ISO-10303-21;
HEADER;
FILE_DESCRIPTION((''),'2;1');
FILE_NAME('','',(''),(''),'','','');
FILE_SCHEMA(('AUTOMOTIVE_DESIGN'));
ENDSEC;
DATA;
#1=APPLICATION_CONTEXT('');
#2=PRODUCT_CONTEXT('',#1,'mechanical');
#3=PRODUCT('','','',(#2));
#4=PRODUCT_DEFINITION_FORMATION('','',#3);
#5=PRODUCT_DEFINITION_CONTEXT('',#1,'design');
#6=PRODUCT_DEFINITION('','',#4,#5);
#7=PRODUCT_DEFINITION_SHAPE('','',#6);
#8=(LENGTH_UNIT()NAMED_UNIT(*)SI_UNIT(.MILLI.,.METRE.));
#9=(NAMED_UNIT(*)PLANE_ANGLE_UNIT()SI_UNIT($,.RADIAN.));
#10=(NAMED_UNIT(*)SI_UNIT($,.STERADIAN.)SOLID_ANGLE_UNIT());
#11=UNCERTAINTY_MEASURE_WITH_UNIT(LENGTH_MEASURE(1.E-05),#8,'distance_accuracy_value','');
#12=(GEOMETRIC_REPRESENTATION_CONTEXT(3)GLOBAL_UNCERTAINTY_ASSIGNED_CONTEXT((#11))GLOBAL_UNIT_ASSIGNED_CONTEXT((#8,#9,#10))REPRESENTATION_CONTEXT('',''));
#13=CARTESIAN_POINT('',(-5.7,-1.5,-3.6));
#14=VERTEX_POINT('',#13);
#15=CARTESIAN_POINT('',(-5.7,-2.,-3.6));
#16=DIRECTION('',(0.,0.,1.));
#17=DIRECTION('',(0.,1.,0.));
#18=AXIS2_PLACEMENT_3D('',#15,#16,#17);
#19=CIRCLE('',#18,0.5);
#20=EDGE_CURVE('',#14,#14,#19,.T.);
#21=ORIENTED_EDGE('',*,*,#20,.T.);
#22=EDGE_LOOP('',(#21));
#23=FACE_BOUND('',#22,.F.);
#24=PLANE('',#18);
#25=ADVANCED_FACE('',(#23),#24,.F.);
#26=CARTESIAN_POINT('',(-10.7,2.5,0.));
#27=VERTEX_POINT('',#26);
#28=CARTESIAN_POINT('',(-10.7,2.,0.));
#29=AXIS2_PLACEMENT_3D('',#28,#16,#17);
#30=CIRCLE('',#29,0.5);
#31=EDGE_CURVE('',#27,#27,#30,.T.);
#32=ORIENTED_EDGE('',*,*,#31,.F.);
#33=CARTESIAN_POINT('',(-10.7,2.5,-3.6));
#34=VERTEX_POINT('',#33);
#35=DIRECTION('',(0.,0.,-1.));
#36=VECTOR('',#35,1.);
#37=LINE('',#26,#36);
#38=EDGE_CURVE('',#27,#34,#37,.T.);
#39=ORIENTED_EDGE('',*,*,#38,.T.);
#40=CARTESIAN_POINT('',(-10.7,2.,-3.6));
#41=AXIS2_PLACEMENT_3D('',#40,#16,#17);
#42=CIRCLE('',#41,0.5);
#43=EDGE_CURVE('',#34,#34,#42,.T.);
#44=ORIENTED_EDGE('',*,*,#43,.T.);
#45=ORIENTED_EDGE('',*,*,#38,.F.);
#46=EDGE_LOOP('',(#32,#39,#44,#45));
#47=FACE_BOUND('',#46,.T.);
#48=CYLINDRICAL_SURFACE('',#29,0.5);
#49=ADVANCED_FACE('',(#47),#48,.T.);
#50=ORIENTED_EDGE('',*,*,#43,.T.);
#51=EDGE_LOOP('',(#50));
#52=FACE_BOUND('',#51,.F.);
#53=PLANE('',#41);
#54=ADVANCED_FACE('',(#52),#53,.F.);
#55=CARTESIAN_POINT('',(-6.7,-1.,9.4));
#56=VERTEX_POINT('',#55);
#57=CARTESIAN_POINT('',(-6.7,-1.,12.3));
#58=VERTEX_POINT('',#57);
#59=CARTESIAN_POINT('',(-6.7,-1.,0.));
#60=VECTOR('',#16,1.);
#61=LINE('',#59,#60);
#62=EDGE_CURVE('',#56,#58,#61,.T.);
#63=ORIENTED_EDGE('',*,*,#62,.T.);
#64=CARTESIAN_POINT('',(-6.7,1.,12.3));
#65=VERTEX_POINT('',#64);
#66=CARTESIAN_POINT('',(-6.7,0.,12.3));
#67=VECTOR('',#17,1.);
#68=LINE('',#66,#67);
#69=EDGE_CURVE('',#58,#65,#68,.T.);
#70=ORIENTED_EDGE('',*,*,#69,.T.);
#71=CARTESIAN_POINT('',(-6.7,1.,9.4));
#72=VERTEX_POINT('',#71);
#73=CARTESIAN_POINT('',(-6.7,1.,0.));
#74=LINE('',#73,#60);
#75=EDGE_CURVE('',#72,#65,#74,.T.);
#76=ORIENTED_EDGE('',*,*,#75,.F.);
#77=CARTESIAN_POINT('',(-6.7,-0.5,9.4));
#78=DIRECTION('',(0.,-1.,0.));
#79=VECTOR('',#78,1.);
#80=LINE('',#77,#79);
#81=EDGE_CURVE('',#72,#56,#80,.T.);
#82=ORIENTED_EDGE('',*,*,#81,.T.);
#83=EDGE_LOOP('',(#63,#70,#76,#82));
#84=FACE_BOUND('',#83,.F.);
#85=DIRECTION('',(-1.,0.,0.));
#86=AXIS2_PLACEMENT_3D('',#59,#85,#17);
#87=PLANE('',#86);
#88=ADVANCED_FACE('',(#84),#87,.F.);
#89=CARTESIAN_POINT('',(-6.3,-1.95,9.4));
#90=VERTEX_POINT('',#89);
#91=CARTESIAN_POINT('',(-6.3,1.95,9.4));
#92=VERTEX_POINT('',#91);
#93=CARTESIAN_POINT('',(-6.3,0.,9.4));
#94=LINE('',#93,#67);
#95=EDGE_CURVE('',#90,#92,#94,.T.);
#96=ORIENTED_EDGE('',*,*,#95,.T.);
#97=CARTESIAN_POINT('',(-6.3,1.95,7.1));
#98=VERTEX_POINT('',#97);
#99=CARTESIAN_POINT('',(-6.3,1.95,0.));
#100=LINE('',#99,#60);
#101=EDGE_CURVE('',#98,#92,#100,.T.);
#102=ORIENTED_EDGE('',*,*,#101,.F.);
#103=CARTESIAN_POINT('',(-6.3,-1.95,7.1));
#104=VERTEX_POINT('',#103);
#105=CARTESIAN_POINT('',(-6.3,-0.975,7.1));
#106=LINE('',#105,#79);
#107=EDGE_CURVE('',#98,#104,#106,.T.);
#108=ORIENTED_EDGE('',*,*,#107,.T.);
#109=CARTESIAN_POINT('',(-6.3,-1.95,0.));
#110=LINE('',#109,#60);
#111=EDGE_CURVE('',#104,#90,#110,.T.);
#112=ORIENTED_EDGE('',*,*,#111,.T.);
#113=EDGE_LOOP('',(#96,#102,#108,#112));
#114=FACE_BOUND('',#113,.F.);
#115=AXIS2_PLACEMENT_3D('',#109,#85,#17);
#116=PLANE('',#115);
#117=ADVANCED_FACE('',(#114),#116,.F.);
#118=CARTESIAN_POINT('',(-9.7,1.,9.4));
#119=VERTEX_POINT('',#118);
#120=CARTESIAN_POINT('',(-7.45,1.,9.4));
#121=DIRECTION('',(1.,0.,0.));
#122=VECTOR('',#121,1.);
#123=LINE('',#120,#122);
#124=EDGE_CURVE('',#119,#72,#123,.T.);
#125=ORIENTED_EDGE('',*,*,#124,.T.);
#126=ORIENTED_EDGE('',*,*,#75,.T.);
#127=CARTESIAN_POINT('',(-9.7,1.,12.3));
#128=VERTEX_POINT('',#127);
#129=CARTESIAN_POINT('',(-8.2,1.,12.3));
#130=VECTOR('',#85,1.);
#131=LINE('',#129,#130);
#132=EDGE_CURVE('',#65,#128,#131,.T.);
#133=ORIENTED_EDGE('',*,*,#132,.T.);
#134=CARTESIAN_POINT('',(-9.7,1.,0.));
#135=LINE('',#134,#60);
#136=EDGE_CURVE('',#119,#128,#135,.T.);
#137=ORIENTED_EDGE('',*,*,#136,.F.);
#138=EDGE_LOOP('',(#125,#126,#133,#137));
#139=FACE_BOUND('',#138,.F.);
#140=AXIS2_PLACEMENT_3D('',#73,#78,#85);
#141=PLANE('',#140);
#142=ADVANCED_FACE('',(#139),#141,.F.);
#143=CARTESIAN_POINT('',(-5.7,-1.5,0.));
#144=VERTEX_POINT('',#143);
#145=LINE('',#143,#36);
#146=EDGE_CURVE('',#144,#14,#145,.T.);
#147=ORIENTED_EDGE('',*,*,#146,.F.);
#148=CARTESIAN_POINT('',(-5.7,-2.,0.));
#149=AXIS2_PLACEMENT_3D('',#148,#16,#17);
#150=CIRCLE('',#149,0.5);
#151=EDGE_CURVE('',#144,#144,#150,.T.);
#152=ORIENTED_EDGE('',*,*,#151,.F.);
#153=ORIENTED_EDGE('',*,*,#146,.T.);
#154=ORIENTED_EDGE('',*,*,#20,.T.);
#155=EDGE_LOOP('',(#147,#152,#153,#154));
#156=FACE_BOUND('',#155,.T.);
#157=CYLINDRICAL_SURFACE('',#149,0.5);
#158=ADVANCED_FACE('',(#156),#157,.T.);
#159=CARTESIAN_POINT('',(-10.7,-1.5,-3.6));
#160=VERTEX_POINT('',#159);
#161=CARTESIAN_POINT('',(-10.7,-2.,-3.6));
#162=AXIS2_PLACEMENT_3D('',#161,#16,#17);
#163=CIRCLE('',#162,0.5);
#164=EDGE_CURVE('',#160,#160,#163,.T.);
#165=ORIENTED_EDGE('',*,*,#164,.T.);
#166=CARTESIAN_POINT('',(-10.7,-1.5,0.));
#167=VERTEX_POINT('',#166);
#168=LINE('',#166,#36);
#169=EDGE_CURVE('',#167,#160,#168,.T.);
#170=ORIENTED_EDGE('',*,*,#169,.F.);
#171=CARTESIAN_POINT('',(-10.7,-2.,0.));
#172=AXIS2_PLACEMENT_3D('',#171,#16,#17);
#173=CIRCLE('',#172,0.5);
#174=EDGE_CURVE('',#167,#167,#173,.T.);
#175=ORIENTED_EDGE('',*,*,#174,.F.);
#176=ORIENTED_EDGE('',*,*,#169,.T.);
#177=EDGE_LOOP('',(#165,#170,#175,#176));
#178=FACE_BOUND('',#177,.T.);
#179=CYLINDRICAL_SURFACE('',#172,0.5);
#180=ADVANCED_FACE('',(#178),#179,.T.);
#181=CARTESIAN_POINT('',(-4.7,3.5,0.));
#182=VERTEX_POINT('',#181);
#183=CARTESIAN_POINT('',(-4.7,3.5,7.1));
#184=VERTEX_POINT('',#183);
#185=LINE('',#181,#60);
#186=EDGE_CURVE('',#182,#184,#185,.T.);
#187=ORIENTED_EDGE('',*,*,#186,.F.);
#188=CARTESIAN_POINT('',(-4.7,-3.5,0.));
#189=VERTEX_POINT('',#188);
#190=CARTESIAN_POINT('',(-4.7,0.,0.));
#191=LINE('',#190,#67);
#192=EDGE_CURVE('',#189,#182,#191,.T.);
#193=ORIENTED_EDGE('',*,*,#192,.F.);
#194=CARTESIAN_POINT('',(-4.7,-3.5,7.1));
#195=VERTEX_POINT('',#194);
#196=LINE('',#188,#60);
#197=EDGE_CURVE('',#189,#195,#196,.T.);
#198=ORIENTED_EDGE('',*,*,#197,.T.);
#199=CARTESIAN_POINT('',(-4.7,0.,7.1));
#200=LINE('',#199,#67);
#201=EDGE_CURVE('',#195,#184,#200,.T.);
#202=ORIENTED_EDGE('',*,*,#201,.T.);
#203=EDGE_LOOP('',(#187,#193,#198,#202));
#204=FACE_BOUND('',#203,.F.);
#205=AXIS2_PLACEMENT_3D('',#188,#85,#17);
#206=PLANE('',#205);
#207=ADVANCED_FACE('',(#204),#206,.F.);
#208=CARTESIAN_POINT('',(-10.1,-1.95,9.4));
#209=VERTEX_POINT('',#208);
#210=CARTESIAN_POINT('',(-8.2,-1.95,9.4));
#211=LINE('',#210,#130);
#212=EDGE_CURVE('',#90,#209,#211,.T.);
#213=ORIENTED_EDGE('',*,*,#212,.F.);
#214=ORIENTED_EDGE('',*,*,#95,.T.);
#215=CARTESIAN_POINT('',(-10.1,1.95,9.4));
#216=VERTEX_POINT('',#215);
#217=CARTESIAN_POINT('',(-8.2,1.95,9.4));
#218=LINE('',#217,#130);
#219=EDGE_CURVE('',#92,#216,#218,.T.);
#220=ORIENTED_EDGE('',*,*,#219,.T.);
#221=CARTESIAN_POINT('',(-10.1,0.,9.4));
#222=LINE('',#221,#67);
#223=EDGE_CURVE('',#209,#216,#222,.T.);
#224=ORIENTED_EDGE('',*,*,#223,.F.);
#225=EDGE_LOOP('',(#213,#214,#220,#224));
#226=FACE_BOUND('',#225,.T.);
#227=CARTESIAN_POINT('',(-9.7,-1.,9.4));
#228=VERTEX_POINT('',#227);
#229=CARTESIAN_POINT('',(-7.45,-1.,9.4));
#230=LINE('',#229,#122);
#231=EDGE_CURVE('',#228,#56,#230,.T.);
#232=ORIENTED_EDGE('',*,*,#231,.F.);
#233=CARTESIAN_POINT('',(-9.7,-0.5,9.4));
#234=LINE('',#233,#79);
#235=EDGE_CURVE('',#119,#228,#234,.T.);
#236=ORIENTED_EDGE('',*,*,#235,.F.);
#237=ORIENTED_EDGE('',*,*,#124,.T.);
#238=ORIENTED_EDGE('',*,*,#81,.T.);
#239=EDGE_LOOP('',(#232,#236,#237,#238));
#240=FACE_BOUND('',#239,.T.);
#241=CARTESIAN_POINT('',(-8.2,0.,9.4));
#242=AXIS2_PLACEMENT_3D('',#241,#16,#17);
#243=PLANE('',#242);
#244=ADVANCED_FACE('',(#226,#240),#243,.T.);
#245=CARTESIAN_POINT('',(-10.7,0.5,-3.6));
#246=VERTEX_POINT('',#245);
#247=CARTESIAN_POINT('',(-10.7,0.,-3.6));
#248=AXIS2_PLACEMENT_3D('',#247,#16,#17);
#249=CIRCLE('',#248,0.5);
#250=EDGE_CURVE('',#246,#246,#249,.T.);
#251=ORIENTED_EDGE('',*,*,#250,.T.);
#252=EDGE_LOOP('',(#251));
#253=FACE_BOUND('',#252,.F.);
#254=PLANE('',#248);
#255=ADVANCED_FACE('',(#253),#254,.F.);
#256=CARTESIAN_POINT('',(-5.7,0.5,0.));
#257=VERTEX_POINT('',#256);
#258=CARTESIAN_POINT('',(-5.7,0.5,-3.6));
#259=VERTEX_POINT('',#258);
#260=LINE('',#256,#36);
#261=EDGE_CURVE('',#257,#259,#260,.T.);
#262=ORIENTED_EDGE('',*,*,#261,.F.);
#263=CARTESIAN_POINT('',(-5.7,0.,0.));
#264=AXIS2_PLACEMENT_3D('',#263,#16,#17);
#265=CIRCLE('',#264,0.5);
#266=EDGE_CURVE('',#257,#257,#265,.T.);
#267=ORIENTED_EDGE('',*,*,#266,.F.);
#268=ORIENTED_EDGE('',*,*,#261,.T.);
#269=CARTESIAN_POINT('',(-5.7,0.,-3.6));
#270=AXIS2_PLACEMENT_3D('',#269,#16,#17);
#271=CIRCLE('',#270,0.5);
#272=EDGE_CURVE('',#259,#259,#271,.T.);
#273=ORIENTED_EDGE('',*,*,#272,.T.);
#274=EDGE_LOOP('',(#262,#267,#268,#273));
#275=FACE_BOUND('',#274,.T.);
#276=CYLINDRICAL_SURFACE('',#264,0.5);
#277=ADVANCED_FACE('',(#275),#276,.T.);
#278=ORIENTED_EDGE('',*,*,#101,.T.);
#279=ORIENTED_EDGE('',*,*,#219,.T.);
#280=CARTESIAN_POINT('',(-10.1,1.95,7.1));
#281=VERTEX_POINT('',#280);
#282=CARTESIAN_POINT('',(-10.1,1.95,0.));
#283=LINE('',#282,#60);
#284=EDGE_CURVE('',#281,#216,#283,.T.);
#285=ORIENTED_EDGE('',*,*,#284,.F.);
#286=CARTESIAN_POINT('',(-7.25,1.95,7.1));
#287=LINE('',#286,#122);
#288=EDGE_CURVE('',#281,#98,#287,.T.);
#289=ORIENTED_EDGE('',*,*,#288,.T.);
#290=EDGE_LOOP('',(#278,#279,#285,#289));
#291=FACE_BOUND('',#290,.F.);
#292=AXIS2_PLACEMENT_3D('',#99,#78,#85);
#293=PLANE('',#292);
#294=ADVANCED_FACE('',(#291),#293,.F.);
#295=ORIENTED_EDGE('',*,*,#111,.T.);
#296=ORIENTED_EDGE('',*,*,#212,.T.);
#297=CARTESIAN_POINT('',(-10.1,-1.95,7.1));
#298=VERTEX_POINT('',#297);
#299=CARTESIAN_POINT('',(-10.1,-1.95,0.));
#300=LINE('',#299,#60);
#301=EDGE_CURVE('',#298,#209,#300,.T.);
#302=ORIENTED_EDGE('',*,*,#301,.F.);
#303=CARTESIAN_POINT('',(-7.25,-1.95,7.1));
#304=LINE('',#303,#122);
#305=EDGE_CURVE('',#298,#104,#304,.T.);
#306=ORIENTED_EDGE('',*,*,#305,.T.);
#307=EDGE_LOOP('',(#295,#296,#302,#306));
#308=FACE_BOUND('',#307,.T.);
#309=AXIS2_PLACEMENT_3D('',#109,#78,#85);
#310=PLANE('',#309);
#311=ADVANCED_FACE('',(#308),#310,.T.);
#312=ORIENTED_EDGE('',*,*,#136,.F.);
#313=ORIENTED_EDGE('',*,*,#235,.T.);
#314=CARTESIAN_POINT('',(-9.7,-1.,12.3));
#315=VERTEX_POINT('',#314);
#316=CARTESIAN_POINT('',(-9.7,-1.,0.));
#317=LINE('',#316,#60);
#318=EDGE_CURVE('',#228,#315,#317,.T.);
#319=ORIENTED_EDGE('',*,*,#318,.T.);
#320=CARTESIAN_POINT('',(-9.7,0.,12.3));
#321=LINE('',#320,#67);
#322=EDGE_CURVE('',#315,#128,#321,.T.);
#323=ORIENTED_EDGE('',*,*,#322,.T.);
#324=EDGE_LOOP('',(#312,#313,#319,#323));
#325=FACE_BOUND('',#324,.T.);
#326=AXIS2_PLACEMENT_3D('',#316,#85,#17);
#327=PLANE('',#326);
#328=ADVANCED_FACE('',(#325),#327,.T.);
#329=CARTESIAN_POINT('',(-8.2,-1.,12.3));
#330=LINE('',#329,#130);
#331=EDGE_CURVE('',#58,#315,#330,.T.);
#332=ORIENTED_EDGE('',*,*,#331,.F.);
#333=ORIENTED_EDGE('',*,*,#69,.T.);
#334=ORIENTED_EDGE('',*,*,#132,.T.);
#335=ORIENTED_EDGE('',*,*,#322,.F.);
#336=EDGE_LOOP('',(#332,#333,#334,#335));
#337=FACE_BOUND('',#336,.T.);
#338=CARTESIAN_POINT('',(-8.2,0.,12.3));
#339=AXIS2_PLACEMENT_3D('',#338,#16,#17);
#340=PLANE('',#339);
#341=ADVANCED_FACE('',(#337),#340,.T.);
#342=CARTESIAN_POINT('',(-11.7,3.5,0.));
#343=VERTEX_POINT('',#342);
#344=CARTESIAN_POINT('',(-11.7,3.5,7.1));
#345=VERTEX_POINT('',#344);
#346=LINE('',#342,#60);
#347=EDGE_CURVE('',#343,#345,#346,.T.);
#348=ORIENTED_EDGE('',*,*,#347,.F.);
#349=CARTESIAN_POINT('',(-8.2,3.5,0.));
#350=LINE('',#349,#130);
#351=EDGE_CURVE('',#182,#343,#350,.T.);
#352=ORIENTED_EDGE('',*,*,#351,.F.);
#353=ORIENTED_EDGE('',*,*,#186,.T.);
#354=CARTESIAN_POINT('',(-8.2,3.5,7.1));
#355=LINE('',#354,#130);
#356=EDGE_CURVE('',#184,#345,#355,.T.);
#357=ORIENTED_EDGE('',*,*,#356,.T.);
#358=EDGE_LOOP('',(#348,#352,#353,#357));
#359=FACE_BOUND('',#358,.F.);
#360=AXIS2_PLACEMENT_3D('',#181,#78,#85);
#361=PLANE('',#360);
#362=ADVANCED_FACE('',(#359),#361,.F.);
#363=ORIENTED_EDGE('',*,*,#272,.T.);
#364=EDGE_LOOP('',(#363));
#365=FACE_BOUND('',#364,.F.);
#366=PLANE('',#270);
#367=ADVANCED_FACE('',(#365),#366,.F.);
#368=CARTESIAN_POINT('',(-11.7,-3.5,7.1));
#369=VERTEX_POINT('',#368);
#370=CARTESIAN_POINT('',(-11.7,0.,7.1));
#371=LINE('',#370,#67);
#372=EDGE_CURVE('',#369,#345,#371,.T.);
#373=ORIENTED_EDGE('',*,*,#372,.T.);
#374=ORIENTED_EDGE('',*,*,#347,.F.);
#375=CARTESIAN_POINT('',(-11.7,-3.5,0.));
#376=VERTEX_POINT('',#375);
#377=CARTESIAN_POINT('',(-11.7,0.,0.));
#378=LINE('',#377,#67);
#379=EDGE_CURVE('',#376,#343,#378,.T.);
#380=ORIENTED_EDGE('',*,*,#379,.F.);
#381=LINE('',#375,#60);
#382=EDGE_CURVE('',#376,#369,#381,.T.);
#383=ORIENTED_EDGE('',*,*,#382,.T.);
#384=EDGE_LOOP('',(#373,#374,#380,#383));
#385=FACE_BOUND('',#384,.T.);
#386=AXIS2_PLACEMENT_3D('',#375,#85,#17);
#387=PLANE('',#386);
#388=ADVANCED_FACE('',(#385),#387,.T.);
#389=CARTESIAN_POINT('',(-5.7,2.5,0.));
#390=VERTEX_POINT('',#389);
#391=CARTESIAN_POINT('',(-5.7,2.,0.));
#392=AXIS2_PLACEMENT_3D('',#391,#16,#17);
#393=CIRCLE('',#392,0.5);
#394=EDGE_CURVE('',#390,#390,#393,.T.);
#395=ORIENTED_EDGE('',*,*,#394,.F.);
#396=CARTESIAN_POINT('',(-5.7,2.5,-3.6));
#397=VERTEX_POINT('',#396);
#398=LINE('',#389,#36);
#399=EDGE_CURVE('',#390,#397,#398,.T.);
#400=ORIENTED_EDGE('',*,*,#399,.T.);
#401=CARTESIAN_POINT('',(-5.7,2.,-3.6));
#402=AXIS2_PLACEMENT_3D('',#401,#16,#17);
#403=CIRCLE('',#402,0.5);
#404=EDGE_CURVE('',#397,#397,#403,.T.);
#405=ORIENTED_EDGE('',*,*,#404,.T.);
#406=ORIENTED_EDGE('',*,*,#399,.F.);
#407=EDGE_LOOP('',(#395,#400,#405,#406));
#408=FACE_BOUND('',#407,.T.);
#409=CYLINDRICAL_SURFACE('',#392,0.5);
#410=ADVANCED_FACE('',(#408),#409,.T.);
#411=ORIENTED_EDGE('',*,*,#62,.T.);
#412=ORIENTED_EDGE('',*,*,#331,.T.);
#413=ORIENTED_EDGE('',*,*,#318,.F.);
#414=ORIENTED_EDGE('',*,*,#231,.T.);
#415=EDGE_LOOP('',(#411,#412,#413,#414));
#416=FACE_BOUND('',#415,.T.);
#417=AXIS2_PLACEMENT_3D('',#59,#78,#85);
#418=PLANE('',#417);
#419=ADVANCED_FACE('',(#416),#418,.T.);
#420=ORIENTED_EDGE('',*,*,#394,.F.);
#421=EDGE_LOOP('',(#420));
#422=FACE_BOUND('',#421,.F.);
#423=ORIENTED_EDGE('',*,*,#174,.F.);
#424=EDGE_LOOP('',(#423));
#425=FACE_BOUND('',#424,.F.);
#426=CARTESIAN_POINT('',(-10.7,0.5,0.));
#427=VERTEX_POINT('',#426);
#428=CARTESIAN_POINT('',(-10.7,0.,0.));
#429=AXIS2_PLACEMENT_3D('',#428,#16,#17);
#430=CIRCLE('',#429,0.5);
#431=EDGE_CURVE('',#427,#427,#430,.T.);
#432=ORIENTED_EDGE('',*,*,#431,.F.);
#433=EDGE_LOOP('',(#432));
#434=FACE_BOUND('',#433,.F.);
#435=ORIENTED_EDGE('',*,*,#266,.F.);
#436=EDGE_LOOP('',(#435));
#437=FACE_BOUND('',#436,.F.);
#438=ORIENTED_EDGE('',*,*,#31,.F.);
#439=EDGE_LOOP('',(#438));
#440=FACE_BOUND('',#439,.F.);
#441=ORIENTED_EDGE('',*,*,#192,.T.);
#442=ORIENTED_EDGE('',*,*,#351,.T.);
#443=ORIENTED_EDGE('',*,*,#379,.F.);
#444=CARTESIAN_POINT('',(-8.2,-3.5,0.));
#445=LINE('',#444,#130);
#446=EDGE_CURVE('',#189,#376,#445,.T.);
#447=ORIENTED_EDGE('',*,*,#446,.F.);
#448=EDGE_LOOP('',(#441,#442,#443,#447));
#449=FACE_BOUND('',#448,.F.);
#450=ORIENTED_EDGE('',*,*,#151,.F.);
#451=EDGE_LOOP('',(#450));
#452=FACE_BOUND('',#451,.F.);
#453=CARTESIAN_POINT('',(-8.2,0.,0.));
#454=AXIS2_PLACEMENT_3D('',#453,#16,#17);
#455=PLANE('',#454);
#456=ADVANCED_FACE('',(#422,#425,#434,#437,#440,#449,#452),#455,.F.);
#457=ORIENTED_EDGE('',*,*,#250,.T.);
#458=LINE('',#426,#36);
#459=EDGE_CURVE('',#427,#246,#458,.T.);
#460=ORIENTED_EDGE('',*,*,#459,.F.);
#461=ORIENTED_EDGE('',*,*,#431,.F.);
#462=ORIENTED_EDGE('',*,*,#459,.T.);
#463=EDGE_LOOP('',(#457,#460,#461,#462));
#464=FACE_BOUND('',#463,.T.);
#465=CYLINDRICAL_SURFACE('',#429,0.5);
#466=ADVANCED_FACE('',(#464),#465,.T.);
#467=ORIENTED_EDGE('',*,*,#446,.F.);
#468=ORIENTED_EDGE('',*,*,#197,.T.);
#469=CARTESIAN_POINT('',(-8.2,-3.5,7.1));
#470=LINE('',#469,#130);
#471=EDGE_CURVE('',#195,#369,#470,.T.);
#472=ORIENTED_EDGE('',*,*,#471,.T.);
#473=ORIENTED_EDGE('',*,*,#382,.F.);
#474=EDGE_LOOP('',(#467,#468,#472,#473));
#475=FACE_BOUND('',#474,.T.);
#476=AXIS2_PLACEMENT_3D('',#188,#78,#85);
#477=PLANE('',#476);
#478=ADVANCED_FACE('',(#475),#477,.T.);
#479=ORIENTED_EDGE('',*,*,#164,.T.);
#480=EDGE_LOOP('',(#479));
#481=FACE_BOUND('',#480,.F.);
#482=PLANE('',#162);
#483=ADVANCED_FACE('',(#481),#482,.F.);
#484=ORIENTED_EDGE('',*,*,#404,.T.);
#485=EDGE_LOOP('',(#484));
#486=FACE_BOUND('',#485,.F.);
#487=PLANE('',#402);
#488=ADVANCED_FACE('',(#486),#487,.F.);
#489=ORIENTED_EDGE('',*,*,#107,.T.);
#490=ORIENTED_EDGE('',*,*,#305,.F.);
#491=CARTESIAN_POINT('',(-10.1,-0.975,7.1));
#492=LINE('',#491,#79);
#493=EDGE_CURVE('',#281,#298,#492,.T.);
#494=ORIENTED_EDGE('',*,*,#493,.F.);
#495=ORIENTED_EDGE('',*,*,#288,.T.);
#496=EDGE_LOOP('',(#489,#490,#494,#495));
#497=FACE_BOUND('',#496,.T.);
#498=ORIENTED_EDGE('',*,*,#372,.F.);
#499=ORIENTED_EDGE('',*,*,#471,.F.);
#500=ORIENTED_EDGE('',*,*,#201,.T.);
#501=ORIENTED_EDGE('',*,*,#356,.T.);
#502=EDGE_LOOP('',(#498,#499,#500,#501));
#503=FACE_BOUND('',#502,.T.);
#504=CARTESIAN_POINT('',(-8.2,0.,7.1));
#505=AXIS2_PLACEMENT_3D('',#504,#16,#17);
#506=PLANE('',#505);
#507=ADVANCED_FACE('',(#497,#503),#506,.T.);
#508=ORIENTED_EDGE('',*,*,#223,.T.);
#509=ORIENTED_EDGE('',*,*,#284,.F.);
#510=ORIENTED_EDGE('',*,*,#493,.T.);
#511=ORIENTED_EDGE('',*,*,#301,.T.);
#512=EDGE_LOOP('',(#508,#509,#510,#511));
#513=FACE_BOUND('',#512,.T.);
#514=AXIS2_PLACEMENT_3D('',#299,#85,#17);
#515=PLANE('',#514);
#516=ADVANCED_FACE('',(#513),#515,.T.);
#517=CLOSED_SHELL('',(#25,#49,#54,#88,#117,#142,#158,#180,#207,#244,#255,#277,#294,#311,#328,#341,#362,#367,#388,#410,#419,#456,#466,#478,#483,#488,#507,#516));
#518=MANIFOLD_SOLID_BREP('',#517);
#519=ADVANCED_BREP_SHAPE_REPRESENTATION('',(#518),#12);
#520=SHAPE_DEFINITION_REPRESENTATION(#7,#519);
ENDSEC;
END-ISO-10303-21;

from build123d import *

# Parameters (mm, degrees)
SKETCH069_W             = 7
SKETCH069_H             = 7
PAD039_DEPTH            = 7.1
SKETCH070_R             = 0.5
PAD040_DEPTH            = 3.6
SKETCH071_W             = 3.9
SKETCH071_H             = 3.8
PAD041_DEPTH            = 9.4
SKETCH072_W             = 2
SKETCH072_H             = 3
PAD042_DEPTH            = 12.3
BODY059_PLACEMENT_ANGLE = 90


with BuildPart() as part:
    # Sketch069 → Pad039 (new body)
    with BuildSketch(Plane.XY):
        Rectangle(SKETCH069_W, SKETCH069_H)
    extrude(amount=PAD039_DEPTH)

    # Sketch070 → Pad040 (join)
    with BuildSketch(Plane.XY):
        with Locations((0, 2.5)):
            Circle(SKETCH070_R)
        with Locations((0, -2.5)):
            Circle(SKETCH070_R)
        with Locations((2, 2.5)):
            Circle(SKETCH070_R)
        with Locations((-2, 2.5)):
            Circle(SKETCH070_R)
        with Locations((-2, -2.5)):
            Circle(SKETCH070_R)
        with Locations((2, -2.5)):
            Circle(SKETCH070_R)
    extrude(amount=-PAD040_DEPTH)

    # Sketch071 → Pad041 (join)
    with BuildSketch(Plane.XY):
        Rectangle(SKETCH071_W, SKETCH071_H)
    extrude(amount=PAD041_DEPTH)

    # Sketch072 → Pad042 (join)
    with BuildSketch(Plane.XY):
        Rectangle(SKETCH072_W, SKETCH072_H)
    extrude(amount=PAD042_DEPTH)


with BuildPart() as part_1:
    # Body059 placement: moved
    add(part.part.moved(Location((-8.2, 0, 0))).rotate(Axis((-8.2, 0, 0), (0, 0, 1)), BODY059_PLACEMENT_ANGLE))


solid = part_1.part
